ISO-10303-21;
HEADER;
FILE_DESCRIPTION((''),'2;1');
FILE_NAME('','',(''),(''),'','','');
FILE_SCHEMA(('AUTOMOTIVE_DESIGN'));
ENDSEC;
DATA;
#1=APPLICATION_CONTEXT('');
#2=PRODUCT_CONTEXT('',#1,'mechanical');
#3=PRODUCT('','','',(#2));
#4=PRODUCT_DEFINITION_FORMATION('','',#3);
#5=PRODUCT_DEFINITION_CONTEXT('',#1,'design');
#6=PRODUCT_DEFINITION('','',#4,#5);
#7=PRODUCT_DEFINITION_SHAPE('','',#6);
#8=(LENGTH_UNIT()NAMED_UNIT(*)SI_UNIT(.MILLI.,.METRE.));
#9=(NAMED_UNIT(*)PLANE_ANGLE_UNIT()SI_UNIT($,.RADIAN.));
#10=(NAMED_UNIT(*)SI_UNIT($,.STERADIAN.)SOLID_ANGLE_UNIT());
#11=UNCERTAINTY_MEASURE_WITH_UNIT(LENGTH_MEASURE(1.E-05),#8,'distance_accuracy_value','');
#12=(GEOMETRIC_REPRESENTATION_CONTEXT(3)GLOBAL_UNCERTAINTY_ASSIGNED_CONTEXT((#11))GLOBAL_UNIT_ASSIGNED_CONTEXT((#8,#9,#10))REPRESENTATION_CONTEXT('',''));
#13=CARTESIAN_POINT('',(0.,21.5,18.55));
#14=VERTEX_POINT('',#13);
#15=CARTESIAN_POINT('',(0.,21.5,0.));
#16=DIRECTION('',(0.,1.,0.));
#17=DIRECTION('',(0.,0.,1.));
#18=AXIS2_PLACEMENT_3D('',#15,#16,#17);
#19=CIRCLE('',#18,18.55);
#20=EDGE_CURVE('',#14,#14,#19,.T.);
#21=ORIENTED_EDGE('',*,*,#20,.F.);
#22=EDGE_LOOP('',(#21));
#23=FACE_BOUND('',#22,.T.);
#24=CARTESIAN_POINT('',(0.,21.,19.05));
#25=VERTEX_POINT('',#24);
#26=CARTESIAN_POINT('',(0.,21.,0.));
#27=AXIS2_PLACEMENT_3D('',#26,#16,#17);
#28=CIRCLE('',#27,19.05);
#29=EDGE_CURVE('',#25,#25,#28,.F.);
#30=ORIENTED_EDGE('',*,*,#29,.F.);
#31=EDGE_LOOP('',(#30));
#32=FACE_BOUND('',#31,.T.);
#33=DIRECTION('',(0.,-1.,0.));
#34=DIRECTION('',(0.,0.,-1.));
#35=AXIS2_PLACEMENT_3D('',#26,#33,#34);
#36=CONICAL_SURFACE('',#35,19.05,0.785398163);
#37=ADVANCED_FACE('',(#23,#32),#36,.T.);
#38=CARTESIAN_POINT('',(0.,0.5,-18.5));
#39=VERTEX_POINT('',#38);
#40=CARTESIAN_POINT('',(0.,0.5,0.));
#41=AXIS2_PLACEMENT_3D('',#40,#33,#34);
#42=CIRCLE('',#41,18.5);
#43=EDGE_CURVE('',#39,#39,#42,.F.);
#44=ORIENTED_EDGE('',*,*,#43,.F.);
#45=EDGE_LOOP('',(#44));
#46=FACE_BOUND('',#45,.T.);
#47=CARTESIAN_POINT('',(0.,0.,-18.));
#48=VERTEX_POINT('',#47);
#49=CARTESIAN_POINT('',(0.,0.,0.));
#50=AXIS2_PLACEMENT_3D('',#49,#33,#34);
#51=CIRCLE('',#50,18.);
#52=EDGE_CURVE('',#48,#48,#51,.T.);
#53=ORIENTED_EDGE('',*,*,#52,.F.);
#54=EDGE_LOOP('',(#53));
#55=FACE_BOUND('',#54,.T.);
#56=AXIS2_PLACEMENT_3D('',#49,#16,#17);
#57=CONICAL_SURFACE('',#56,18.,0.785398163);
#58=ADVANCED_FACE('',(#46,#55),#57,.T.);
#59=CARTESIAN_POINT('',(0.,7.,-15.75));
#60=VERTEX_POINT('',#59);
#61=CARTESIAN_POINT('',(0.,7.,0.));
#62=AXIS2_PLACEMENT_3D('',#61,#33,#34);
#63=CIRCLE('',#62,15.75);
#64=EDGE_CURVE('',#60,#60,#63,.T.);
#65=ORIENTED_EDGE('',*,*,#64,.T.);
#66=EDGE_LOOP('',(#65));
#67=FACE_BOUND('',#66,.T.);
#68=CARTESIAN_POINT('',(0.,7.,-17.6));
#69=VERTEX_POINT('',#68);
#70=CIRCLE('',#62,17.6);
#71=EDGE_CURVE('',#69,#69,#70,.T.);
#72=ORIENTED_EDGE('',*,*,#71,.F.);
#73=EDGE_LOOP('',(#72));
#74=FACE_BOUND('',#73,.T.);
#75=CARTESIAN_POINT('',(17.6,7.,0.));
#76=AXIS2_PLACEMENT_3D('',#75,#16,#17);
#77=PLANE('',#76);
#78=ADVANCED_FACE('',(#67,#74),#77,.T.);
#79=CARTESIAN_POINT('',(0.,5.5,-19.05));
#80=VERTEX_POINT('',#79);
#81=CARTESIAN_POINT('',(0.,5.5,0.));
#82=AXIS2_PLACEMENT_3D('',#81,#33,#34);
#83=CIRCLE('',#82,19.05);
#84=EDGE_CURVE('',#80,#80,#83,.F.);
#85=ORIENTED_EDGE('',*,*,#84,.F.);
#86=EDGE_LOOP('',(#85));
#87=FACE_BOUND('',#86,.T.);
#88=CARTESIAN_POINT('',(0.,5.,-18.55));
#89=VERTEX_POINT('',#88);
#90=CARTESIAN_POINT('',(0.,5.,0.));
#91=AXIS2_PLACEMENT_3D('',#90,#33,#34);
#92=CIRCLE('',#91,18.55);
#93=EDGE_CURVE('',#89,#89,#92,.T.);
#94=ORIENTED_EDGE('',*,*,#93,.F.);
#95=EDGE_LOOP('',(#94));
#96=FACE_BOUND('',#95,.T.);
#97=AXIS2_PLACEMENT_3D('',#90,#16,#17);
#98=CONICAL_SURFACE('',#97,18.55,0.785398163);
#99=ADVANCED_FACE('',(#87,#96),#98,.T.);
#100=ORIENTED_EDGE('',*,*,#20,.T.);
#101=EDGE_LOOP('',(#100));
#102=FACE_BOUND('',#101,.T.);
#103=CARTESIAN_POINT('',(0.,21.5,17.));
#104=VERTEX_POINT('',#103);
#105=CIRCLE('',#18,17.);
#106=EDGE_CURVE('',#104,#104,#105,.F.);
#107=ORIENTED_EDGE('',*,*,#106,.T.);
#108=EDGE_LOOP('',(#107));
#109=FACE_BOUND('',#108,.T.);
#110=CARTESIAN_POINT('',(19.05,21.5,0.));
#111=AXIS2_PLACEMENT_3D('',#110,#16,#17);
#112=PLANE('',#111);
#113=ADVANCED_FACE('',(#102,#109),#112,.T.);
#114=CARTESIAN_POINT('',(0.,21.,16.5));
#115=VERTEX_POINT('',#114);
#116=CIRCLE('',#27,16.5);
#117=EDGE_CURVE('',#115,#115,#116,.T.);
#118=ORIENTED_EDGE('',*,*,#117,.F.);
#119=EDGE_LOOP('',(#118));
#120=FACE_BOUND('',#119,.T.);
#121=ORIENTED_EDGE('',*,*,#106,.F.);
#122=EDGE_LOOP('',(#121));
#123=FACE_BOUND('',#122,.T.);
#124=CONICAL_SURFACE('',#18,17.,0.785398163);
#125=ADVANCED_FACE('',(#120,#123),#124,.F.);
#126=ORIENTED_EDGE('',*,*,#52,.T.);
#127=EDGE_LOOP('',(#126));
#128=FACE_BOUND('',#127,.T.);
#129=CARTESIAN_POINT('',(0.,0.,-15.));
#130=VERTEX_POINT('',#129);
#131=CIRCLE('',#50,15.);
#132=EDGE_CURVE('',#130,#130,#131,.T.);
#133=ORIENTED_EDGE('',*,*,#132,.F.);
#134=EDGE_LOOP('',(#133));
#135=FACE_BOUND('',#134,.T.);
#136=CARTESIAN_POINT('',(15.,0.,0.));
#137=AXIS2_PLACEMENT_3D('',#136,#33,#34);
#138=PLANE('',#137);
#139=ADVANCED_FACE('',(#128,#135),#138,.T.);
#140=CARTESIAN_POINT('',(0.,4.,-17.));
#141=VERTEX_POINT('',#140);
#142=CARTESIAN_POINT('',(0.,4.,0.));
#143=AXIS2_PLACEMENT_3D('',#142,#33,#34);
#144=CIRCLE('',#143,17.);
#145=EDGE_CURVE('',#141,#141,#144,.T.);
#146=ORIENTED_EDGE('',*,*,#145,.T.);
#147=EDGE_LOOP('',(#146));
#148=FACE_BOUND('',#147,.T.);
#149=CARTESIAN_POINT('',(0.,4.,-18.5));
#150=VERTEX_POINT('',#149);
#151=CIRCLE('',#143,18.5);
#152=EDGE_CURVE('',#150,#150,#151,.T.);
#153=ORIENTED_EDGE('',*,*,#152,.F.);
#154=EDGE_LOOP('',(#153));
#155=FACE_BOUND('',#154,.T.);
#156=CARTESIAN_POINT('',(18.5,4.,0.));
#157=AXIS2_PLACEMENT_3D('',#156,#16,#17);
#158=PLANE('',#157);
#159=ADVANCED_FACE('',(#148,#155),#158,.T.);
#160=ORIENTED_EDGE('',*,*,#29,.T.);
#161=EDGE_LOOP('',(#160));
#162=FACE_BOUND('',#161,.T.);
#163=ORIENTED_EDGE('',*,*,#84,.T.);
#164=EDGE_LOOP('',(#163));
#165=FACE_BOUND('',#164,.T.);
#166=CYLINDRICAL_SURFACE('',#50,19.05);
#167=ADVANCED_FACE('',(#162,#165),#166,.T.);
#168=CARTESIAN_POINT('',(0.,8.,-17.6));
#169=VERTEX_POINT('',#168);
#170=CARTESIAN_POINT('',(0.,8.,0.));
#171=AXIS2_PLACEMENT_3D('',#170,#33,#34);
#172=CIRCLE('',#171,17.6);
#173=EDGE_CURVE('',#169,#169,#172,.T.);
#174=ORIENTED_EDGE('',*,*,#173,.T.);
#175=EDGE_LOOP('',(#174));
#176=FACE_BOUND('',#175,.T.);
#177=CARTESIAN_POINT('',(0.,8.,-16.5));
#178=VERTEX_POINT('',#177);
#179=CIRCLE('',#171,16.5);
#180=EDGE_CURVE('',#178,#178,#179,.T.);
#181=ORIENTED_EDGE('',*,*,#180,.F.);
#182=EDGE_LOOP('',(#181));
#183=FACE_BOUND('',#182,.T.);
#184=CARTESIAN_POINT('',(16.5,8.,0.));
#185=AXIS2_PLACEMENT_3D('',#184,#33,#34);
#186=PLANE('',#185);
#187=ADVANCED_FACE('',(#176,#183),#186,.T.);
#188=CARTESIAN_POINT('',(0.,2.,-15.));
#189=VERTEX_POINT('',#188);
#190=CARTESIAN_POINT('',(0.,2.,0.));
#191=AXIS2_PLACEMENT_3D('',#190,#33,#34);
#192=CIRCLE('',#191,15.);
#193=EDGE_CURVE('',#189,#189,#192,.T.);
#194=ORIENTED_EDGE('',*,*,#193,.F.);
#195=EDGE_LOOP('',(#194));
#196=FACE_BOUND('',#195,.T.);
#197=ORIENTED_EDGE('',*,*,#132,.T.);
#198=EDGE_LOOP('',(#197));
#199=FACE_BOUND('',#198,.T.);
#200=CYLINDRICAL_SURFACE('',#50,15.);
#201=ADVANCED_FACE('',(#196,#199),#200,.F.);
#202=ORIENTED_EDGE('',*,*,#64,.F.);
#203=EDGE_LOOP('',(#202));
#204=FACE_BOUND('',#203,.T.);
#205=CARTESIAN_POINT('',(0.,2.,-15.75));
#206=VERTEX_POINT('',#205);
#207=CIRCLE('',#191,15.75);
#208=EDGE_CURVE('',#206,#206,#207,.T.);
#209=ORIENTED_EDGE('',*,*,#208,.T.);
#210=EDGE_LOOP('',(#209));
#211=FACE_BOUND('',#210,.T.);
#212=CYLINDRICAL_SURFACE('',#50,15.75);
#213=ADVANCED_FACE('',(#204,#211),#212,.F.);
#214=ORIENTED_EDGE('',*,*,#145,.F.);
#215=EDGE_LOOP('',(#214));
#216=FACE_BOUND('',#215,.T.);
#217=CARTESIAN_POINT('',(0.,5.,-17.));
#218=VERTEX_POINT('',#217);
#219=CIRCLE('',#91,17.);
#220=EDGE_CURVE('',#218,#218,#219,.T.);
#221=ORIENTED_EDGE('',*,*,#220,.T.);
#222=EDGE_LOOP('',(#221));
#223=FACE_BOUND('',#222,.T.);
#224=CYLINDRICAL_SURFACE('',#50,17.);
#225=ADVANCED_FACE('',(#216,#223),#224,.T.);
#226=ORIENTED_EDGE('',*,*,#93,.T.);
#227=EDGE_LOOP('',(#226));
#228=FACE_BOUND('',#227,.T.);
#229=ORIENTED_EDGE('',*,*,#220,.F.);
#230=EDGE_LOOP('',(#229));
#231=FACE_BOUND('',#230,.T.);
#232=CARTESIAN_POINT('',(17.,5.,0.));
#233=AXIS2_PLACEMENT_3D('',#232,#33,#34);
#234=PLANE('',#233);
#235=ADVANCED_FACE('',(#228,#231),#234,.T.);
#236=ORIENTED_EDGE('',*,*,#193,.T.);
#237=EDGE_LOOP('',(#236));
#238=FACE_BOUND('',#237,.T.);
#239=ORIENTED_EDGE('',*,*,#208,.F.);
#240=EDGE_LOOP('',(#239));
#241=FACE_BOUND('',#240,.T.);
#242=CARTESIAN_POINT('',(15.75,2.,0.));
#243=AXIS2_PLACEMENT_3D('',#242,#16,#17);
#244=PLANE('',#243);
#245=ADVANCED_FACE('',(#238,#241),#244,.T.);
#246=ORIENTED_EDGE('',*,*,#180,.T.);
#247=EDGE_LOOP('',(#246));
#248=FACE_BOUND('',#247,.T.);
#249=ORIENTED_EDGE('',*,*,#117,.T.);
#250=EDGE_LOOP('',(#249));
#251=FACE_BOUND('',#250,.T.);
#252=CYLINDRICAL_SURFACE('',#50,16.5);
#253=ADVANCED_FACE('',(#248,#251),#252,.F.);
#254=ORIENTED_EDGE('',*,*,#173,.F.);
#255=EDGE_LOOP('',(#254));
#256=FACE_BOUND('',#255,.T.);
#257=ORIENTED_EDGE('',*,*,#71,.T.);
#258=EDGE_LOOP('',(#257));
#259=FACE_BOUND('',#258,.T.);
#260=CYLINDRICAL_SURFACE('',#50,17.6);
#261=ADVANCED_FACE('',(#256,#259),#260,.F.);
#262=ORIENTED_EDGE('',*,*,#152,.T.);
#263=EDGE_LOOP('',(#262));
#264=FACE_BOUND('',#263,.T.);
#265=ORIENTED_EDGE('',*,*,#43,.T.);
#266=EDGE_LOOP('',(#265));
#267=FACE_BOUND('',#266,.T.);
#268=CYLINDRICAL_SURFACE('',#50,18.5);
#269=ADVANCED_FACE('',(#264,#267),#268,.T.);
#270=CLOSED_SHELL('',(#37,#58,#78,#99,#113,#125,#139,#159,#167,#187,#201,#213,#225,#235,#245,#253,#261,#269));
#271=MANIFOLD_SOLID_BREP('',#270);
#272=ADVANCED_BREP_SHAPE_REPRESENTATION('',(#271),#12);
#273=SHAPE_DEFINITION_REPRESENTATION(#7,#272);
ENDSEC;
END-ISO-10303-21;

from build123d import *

# Parameters (mm, degrees)
CHAMFER_1_SIZE = 0.5


with BuildPart() as part:
    # 草图1 → 旋转1 (revolve)
    with BuildSketch(Plane.XY, mode=Mode.PRIVATE) as revolve_1_sk:
        Polygon((15, 0), (18.5, 0), (18.5, 4), (17, 4), (17, 5), (19.05, 5), (19.05, 21.5), (16.5, 21.5), (16.5, 8), (17.6, 8), (17.6, 7), (15.75, 7), (15.75, 2), (15, 2), align=None)
    revolve(revolve_1_sk.sketch.rotate(Axis((0, 0, 0), (0, 1, 0)), 90), axis=Axis((0, 0, 0), (0, 1, 0)))  # turned: the seam where the file's is

    # 倒角1
    chamfer_1_edges = [part.edges().sort_by_distance(p)[0] for p in [
        (0, 21.5, 16.5),
        (0, 21.5, 19.05),
        (0, 5, 19.05),
        (0, 0, 18.5),
    ]]
    chamfer(chamfer_1_edges, length=CHAMFER_1_SIZE)


solid = part.part
